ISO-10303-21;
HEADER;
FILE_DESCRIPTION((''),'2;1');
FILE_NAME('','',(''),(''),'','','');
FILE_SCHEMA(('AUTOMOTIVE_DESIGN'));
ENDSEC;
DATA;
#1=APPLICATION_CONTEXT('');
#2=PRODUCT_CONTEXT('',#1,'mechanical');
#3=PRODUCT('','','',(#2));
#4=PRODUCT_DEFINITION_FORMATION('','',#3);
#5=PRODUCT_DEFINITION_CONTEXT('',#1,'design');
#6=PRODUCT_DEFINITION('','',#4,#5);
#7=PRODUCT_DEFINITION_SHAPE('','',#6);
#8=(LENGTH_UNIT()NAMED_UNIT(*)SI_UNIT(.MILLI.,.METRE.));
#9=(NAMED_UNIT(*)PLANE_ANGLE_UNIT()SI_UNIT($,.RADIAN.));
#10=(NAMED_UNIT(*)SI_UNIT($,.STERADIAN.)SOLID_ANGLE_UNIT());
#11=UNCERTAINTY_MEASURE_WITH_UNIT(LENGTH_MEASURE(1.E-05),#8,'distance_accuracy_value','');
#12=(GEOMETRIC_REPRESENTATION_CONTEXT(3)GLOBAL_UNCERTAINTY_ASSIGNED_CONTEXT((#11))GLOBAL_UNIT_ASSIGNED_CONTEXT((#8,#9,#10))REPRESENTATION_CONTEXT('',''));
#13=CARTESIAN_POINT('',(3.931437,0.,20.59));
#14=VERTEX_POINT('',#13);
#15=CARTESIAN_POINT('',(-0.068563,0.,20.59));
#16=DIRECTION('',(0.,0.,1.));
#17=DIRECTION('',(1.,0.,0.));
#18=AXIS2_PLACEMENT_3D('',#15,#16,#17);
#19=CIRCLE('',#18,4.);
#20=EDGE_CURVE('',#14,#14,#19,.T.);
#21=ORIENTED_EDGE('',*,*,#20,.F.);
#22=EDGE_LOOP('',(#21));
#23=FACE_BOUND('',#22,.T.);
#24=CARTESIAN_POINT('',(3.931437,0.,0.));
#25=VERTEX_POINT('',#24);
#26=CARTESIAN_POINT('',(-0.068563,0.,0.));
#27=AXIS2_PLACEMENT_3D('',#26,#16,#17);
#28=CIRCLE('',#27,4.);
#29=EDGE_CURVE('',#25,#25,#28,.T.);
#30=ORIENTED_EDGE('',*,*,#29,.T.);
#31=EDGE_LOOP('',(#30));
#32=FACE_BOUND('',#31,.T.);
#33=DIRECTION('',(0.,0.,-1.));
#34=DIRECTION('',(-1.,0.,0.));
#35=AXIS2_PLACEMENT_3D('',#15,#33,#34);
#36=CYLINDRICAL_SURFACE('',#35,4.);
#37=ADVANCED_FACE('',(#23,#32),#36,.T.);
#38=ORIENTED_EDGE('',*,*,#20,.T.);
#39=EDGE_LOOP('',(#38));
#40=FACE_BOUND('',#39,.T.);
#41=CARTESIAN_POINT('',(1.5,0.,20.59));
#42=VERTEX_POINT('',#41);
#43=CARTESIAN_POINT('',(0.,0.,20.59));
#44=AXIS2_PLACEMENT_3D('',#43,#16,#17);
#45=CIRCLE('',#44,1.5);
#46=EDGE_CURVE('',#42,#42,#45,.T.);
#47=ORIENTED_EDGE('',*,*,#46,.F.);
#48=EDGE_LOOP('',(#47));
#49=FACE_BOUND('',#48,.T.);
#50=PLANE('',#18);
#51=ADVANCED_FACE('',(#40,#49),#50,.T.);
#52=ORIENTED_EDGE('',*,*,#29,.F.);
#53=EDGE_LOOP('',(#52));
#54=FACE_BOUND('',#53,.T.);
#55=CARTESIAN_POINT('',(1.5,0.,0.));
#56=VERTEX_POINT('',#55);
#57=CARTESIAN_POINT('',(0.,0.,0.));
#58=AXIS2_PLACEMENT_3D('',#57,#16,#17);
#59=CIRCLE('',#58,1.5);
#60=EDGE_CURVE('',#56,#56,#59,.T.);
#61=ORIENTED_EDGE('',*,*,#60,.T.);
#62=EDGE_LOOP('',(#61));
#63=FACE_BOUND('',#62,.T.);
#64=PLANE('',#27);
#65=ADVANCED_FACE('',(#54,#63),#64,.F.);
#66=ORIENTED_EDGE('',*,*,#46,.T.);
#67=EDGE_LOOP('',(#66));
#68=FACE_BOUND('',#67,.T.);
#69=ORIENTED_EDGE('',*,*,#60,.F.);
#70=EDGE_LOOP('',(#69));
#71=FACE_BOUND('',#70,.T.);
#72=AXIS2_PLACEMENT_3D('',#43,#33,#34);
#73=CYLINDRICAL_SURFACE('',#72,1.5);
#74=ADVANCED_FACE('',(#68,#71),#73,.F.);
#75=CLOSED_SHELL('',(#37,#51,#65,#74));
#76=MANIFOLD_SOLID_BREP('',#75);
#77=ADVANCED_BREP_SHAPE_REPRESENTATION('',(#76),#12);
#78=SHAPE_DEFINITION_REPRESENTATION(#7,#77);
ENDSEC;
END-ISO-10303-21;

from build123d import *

# Parameters (mm, degrees)
ESQUISSE1_R        = 4
ESQUISSE1_R_2      = 1.5
BOSS_EXTRU_1_DEPTH = 20.59


with BuildPart() as part:
    # Esquisse1 → Boss.-Extru.1 (new body)
    with BuildSketch(Plane.XY):
        with Locations((-0.068563305, 0)):
            Circle(ESQUISSE1_R)
        Circle(ESQUISSE1_R_2, mode=Mode.SUBTRACT)
    extrude(amount=BOSS_EXTRU_1_DEPTH)


solid = part.part
